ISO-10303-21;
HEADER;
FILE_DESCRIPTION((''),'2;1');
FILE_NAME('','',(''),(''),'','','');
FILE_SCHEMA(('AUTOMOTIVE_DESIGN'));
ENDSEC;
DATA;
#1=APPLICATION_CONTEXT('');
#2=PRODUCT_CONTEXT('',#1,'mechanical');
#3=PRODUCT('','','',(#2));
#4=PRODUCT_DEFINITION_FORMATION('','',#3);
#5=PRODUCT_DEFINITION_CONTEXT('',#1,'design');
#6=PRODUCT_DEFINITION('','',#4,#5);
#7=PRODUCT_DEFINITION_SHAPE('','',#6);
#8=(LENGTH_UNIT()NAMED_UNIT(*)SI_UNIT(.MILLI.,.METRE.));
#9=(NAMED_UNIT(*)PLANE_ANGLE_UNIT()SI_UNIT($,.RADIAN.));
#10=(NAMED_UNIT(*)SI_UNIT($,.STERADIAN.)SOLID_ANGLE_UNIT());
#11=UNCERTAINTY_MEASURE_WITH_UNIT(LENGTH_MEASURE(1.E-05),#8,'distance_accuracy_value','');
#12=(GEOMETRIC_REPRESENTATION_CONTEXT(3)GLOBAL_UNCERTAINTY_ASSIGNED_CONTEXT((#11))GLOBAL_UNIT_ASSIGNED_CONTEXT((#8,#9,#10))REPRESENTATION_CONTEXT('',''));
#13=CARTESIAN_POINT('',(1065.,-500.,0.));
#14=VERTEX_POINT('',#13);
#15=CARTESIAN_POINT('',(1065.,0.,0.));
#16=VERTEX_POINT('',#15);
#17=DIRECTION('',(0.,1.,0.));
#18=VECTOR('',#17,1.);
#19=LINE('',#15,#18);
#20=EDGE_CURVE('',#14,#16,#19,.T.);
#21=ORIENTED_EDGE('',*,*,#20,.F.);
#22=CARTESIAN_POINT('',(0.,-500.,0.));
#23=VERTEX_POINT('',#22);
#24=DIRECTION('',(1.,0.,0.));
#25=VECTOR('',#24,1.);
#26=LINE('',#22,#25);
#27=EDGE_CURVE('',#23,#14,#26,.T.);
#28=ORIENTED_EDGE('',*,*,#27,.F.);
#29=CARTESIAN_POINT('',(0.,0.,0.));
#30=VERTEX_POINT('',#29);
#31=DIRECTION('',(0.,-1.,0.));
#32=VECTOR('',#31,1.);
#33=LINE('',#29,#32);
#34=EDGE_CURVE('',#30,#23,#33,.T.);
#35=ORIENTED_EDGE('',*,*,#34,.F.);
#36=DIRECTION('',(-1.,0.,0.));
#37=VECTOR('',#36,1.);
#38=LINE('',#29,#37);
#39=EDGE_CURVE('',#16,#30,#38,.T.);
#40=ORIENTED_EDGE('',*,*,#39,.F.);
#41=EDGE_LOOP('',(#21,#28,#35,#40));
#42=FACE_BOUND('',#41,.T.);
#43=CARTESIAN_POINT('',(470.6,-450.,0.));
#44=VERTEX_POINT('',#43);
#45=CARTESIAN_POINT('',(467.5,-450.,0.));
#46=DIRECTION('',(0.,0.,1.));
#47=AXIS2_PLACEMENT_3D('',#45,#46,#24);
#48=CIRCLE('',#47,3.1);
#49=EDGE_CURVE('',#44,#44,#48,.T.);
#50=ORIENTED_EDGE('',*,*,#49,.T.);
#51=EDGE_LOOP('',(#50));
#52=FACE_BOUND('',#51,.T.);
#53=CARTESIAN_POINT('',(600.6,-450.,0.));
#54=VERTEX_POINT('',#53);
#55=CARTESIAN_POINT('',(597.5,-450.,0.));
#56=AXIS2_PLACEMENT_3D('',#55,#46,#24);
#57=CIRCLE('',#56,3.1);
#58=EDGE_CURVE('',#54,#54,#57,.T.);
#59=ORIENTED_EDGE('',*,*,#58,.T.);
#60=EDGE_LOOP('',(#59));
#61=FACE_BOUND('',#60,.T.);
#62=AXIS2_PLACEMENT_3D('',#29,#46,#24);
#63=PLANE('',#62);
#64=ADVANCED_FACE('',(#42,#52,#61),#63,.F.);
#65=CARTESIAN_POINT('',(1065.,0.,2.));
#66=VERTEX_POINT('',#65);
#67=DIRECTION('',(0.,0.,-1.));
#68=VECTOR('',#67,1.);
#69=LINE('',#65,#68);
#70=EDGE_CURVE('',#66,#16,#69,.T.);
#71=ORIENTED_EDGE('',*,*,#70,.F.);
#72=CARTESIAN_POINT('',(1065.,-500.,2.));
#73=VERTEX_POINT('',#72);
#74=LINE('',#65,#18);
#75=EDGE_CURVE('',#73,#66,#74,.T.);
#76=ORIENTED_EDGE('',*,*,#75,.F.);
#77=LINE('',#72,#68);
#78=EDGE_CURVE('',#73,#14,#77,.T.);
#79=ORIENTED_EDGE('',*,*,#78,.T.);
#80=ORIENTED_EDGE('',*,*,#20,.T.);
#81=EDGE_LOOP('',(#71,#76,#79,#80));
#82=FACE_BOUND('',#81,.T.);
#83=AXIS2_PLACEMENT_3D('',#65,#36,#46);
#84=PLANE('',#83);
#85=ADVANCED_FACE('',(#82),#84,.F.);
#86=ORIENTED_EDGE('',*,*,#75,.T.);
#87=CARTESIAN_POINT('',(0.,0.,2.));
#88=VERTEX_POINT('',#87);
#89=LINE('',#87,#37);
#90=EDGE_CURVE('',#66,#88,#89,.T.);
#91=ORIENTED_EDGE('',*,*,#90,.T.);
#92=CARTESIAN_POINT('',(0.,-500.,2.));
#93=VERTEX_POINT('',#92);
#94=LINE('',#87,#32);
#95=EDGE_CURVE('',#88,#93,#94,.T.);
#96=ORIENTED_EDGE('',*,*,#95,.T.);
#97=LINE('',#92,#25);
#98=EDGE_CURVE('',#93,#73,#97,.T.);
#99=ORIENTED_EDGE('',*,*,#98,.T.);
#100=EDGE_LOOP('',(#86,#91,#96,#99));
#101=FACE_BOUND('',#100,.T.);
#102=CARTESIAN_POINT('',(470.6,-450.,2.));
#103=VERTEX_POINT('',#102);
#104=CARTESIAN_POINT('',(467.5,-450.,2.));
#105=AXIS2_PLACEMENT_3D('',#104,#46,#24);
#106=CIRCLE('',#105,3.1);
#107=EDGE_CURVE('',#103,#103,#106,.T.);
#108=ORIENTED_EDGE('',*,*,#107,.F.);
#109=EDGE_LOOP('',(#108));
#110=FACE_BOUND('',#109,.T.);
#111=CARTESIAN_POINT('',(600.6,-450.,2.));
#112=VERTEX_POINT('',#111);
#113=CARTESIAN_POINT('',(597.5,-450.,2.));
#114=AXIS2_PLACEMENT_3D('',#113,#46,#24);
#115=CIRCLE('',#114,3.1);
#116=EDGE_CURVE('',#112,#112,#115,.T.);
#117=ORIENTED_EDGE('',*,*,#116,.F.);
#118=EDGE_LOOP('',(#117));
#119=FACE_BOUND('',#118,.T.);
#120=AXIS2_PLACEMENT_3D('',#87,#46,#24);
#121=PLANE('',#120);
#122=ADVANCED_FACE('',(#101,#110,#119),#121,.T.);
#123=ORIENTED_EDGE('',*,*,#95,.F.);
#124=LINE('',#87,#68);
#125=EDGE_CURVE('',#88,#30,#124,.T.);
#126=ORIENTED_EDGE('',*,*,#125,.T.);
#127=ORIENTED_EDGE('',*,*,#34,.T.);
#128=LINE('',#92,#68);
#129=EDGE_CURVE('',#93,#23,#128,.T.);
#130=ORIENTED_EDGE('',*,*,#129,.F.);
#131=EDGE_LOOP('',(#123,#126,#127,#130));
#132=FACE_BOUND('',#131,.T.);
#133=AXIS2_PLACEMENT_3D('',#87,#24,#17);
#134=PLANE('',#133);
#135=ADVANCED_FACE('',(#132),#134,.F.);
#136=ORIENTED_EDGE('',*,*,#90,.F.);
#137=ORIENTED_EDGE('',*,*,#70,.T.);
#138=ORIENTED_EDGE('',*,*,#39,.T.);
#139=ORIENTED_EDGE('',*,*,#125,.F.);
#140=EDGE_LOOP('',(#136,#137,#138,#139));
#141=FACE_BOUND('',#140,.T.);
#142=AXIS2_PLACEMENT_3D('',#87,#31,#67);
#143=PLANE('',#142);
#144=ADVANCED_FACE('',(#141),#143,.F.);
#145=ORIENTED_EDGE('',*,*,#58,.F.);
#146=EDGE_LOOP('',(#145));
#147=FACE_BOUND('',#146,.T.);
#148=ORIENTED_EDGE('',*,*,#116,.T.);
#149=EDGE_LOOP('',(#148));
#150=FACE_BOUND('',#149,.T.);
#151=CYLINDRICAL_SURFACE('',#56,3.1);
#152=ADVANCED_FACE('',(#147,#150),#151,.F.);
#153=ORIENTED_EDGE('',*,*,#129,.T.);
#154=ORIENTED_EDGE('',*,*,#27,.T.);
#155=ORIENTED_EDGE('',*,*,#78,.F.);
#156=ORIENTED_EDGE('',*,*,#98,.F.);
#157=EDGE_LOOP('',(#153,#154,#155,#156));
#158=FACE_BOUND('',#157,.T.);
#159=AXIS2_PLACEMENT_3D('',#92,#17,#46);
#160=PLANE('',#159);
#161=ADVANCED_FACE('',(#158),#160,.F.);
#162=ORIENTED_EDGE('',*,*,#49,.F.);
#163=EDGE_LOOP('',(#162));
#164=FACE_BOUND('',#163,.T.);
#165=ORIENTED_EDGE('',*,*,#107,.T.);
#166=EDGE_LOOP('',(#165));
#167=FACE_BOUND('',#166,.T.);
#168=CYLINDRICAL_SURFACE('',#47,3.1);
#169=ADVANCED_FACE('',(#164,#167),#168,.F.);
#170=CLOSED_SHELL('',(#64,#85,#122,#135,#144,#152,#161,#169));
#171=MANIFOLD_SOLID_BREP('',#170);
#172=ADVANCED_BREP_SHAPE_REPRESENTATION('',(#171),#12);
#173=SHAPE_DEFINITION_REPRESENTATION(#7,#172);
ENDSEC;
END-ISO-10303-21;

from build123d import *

# Parameters (mm, degrees)
SKETCH1_W           = 1065
SKETCH1_H           = 500
BOSS_EXTRUDE1_DEPTH = 2
SKETCH2_R           = 3.1
CUT_EXTRUDE1_DEPTH  = 1177.532617482


with BuildPart() as part:
    # Sketch1 → Boss-Extrude1 (new body)
    with BuildSketch(Plane.XY):
        with Locations((532.5, -250)):
            Rectangle(SKETCH1_W, SKETCH1_H)
    extrude(amount=BOSS_EXTRUDE1_DEPTH)

    # Sketch2 → Cut-Extrude1 (cut, through all)
    with BuildSketch(Plane.XY.offset(2)):
        with Locations((597.5, -450)):
            Circle(SKETCH2_R)
        with Locations((467.5, -450)):
            Circle(SKETCH2_R)
    extrude(amount=-CUT_EXTRUDE1_DEPTH, mode=Mode.SUBTRACT)


solid = part.part
